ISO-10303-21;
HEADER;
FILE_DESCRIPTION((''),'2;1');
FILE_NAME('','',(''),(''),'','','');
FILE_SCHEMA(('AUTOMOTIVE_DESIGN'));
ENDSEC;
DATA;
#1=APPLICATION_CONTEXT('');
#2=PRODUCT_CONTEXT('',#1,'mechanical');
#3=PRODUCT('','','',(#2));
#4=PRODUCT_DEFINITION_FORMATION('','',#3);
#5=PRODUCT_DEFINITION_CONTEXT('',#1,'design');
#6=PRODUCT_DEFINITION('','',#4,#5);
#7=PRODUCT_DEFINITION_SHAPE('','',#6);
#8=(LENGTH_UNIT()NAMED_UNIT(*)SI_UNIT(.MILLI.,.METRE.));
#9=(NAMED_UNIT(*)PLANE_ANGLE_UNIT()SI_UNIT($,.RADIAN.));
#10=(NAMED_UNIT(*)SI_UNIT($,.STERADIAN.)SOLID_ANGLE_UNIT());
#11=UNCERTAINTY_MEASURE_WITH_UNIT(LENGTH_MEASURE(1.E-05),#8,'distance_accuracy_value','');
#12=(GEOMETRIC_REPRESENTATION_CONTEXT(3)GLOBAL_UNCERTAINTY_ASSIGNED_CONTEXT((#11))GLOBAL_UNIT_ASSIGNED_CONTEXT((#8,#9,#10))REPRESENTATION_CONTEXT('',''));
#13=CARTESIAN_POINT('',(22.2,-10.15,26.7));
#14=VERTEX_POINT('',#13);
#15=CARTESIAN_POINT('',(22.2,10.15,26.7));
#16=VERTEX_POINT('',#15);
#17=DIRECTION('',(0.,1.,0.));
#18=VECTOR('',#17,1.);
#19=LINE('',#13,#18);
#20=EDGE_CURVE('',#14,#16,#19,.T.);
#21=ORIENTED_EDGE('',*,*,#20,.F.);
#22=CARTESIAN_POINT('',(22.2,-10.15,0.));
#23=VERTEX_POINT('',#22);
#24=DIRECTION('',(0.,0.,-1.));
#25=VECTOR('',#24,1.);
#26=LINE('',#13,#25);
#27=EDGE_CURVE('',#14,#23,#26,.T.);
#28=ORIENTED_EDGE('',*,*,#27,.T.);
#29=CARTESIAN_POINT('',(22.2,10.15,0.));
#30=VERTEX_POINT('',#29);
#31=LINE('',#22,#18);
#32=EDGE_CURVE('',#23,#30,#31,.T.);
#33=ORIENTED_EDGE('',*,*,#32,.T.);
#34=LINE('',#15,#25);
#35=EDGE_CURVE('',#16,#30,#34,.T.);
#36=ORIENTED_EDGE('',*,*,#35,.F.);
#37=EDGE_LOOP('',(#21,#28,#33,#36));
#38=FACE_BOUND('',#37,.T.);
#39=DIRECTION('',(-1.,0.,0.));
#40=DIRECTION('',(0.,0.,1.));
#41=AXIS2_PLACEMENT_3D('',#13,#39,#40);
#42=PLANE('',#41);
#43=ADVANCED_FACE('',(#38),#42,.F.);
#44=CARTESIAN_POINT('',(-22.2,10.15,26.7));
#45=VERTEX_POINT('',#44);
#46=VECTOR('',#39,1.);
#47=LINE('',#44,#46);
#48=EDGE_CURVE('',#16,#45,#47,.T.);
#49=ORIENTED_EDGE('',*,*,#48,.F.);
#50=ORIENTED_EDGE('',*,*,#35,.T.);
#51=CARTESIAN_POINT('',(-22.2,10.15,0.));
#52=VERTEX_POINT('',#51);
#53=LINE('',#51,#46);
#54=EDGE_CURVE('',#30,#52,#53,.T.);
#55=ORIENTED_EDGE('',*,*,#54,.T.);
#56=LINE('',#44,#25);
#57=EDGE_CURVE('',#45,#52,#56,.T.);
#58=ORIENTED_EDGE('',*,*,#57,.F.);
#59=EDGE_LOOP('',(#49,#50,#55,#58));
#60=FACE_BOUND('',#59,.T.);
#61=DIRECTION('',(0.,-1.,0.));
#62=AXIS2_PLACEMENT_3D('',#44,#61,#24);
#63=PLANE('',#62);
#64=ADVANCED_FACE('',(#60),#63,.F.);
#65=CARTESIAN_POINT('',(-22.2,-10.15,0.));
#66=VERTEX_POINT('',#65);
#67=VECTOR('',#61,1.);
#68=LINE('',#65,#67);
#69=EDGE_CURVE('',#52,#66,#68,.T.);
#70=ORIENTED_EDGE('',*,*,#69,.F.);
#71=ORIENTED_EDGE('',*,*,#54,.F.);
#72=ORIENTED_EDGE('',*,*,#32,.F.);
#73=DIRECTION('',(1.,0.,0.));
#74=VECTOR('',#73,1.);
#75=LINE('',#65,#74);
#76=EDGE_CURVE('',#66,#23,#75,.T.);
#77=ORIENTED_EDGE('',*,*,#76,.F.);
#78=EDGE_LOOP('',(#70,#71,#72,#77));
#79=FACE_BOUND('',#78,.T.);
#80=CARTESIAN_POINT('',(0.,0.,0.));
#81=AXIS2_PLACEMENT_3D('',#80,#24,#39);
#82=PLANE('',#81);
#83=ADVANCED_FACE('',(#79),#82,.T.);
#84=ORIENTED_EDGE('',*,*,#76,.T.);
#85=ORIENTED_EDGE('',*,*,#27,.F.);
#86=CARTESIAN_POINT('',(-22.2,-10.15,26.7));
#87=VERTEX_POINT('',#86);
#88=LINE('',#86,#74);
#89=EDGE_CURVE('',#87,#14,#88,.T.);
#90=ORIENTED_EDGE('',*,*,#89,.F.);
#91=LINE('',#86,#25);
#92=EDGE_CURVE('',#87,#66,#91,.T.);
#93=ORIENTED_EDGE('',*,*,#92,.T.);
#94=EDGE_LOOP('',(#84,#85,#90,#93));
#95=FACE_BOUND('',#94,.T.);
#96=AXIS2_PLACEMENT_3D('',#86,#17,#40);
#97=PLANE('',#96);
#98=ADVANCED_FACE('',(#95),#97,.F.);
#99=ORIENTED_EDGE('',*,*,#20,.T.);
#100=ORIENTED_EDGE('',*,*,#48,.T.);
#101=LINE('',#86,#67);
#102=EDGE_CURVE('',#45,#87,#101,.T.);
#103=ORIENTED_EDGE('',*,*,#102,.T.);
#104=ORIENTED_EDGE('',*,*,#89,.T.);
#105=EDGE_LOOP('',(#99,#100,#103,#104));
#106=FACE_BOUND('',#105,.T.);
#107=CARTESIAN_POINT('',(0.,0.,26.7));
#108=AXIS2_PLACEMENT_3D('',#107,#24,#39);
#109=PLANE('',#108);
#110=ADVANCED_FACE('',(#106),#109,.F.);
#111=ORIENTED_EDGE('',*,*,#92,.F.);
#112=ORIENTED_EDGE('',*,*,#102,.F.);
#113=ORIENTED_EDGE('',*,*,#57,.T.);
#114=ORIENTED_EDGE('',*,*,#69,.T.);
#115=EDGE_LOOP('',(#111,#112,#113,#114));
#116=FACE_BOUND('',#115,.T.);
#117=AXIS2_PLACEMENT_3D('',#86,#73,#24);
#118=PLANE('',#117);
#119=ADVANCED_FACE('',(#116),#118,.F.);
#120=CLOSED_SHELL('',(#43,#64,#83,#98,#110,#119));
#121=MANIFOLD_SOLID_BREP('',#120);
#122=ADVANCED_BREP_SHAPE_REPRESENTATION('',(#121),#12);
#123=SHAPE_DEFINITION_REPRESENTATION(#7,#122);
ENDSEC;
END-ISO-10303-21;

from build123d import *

# Parameters (mm, degrees)
SKETCH1_W      = 44.4
SKETCH1_H      = 20.3
ENVELOPE_DEPTH = 26.7


with BuildPart() as part:
    # Sketch1 → Envelope (new body)
    with BuildSketch(Plane.XY):
        Rectangle(SKETCH1_W, SKETCH1_H)
    extrude(amount=ENVELOPE_DEPTH)


solid = part.part
